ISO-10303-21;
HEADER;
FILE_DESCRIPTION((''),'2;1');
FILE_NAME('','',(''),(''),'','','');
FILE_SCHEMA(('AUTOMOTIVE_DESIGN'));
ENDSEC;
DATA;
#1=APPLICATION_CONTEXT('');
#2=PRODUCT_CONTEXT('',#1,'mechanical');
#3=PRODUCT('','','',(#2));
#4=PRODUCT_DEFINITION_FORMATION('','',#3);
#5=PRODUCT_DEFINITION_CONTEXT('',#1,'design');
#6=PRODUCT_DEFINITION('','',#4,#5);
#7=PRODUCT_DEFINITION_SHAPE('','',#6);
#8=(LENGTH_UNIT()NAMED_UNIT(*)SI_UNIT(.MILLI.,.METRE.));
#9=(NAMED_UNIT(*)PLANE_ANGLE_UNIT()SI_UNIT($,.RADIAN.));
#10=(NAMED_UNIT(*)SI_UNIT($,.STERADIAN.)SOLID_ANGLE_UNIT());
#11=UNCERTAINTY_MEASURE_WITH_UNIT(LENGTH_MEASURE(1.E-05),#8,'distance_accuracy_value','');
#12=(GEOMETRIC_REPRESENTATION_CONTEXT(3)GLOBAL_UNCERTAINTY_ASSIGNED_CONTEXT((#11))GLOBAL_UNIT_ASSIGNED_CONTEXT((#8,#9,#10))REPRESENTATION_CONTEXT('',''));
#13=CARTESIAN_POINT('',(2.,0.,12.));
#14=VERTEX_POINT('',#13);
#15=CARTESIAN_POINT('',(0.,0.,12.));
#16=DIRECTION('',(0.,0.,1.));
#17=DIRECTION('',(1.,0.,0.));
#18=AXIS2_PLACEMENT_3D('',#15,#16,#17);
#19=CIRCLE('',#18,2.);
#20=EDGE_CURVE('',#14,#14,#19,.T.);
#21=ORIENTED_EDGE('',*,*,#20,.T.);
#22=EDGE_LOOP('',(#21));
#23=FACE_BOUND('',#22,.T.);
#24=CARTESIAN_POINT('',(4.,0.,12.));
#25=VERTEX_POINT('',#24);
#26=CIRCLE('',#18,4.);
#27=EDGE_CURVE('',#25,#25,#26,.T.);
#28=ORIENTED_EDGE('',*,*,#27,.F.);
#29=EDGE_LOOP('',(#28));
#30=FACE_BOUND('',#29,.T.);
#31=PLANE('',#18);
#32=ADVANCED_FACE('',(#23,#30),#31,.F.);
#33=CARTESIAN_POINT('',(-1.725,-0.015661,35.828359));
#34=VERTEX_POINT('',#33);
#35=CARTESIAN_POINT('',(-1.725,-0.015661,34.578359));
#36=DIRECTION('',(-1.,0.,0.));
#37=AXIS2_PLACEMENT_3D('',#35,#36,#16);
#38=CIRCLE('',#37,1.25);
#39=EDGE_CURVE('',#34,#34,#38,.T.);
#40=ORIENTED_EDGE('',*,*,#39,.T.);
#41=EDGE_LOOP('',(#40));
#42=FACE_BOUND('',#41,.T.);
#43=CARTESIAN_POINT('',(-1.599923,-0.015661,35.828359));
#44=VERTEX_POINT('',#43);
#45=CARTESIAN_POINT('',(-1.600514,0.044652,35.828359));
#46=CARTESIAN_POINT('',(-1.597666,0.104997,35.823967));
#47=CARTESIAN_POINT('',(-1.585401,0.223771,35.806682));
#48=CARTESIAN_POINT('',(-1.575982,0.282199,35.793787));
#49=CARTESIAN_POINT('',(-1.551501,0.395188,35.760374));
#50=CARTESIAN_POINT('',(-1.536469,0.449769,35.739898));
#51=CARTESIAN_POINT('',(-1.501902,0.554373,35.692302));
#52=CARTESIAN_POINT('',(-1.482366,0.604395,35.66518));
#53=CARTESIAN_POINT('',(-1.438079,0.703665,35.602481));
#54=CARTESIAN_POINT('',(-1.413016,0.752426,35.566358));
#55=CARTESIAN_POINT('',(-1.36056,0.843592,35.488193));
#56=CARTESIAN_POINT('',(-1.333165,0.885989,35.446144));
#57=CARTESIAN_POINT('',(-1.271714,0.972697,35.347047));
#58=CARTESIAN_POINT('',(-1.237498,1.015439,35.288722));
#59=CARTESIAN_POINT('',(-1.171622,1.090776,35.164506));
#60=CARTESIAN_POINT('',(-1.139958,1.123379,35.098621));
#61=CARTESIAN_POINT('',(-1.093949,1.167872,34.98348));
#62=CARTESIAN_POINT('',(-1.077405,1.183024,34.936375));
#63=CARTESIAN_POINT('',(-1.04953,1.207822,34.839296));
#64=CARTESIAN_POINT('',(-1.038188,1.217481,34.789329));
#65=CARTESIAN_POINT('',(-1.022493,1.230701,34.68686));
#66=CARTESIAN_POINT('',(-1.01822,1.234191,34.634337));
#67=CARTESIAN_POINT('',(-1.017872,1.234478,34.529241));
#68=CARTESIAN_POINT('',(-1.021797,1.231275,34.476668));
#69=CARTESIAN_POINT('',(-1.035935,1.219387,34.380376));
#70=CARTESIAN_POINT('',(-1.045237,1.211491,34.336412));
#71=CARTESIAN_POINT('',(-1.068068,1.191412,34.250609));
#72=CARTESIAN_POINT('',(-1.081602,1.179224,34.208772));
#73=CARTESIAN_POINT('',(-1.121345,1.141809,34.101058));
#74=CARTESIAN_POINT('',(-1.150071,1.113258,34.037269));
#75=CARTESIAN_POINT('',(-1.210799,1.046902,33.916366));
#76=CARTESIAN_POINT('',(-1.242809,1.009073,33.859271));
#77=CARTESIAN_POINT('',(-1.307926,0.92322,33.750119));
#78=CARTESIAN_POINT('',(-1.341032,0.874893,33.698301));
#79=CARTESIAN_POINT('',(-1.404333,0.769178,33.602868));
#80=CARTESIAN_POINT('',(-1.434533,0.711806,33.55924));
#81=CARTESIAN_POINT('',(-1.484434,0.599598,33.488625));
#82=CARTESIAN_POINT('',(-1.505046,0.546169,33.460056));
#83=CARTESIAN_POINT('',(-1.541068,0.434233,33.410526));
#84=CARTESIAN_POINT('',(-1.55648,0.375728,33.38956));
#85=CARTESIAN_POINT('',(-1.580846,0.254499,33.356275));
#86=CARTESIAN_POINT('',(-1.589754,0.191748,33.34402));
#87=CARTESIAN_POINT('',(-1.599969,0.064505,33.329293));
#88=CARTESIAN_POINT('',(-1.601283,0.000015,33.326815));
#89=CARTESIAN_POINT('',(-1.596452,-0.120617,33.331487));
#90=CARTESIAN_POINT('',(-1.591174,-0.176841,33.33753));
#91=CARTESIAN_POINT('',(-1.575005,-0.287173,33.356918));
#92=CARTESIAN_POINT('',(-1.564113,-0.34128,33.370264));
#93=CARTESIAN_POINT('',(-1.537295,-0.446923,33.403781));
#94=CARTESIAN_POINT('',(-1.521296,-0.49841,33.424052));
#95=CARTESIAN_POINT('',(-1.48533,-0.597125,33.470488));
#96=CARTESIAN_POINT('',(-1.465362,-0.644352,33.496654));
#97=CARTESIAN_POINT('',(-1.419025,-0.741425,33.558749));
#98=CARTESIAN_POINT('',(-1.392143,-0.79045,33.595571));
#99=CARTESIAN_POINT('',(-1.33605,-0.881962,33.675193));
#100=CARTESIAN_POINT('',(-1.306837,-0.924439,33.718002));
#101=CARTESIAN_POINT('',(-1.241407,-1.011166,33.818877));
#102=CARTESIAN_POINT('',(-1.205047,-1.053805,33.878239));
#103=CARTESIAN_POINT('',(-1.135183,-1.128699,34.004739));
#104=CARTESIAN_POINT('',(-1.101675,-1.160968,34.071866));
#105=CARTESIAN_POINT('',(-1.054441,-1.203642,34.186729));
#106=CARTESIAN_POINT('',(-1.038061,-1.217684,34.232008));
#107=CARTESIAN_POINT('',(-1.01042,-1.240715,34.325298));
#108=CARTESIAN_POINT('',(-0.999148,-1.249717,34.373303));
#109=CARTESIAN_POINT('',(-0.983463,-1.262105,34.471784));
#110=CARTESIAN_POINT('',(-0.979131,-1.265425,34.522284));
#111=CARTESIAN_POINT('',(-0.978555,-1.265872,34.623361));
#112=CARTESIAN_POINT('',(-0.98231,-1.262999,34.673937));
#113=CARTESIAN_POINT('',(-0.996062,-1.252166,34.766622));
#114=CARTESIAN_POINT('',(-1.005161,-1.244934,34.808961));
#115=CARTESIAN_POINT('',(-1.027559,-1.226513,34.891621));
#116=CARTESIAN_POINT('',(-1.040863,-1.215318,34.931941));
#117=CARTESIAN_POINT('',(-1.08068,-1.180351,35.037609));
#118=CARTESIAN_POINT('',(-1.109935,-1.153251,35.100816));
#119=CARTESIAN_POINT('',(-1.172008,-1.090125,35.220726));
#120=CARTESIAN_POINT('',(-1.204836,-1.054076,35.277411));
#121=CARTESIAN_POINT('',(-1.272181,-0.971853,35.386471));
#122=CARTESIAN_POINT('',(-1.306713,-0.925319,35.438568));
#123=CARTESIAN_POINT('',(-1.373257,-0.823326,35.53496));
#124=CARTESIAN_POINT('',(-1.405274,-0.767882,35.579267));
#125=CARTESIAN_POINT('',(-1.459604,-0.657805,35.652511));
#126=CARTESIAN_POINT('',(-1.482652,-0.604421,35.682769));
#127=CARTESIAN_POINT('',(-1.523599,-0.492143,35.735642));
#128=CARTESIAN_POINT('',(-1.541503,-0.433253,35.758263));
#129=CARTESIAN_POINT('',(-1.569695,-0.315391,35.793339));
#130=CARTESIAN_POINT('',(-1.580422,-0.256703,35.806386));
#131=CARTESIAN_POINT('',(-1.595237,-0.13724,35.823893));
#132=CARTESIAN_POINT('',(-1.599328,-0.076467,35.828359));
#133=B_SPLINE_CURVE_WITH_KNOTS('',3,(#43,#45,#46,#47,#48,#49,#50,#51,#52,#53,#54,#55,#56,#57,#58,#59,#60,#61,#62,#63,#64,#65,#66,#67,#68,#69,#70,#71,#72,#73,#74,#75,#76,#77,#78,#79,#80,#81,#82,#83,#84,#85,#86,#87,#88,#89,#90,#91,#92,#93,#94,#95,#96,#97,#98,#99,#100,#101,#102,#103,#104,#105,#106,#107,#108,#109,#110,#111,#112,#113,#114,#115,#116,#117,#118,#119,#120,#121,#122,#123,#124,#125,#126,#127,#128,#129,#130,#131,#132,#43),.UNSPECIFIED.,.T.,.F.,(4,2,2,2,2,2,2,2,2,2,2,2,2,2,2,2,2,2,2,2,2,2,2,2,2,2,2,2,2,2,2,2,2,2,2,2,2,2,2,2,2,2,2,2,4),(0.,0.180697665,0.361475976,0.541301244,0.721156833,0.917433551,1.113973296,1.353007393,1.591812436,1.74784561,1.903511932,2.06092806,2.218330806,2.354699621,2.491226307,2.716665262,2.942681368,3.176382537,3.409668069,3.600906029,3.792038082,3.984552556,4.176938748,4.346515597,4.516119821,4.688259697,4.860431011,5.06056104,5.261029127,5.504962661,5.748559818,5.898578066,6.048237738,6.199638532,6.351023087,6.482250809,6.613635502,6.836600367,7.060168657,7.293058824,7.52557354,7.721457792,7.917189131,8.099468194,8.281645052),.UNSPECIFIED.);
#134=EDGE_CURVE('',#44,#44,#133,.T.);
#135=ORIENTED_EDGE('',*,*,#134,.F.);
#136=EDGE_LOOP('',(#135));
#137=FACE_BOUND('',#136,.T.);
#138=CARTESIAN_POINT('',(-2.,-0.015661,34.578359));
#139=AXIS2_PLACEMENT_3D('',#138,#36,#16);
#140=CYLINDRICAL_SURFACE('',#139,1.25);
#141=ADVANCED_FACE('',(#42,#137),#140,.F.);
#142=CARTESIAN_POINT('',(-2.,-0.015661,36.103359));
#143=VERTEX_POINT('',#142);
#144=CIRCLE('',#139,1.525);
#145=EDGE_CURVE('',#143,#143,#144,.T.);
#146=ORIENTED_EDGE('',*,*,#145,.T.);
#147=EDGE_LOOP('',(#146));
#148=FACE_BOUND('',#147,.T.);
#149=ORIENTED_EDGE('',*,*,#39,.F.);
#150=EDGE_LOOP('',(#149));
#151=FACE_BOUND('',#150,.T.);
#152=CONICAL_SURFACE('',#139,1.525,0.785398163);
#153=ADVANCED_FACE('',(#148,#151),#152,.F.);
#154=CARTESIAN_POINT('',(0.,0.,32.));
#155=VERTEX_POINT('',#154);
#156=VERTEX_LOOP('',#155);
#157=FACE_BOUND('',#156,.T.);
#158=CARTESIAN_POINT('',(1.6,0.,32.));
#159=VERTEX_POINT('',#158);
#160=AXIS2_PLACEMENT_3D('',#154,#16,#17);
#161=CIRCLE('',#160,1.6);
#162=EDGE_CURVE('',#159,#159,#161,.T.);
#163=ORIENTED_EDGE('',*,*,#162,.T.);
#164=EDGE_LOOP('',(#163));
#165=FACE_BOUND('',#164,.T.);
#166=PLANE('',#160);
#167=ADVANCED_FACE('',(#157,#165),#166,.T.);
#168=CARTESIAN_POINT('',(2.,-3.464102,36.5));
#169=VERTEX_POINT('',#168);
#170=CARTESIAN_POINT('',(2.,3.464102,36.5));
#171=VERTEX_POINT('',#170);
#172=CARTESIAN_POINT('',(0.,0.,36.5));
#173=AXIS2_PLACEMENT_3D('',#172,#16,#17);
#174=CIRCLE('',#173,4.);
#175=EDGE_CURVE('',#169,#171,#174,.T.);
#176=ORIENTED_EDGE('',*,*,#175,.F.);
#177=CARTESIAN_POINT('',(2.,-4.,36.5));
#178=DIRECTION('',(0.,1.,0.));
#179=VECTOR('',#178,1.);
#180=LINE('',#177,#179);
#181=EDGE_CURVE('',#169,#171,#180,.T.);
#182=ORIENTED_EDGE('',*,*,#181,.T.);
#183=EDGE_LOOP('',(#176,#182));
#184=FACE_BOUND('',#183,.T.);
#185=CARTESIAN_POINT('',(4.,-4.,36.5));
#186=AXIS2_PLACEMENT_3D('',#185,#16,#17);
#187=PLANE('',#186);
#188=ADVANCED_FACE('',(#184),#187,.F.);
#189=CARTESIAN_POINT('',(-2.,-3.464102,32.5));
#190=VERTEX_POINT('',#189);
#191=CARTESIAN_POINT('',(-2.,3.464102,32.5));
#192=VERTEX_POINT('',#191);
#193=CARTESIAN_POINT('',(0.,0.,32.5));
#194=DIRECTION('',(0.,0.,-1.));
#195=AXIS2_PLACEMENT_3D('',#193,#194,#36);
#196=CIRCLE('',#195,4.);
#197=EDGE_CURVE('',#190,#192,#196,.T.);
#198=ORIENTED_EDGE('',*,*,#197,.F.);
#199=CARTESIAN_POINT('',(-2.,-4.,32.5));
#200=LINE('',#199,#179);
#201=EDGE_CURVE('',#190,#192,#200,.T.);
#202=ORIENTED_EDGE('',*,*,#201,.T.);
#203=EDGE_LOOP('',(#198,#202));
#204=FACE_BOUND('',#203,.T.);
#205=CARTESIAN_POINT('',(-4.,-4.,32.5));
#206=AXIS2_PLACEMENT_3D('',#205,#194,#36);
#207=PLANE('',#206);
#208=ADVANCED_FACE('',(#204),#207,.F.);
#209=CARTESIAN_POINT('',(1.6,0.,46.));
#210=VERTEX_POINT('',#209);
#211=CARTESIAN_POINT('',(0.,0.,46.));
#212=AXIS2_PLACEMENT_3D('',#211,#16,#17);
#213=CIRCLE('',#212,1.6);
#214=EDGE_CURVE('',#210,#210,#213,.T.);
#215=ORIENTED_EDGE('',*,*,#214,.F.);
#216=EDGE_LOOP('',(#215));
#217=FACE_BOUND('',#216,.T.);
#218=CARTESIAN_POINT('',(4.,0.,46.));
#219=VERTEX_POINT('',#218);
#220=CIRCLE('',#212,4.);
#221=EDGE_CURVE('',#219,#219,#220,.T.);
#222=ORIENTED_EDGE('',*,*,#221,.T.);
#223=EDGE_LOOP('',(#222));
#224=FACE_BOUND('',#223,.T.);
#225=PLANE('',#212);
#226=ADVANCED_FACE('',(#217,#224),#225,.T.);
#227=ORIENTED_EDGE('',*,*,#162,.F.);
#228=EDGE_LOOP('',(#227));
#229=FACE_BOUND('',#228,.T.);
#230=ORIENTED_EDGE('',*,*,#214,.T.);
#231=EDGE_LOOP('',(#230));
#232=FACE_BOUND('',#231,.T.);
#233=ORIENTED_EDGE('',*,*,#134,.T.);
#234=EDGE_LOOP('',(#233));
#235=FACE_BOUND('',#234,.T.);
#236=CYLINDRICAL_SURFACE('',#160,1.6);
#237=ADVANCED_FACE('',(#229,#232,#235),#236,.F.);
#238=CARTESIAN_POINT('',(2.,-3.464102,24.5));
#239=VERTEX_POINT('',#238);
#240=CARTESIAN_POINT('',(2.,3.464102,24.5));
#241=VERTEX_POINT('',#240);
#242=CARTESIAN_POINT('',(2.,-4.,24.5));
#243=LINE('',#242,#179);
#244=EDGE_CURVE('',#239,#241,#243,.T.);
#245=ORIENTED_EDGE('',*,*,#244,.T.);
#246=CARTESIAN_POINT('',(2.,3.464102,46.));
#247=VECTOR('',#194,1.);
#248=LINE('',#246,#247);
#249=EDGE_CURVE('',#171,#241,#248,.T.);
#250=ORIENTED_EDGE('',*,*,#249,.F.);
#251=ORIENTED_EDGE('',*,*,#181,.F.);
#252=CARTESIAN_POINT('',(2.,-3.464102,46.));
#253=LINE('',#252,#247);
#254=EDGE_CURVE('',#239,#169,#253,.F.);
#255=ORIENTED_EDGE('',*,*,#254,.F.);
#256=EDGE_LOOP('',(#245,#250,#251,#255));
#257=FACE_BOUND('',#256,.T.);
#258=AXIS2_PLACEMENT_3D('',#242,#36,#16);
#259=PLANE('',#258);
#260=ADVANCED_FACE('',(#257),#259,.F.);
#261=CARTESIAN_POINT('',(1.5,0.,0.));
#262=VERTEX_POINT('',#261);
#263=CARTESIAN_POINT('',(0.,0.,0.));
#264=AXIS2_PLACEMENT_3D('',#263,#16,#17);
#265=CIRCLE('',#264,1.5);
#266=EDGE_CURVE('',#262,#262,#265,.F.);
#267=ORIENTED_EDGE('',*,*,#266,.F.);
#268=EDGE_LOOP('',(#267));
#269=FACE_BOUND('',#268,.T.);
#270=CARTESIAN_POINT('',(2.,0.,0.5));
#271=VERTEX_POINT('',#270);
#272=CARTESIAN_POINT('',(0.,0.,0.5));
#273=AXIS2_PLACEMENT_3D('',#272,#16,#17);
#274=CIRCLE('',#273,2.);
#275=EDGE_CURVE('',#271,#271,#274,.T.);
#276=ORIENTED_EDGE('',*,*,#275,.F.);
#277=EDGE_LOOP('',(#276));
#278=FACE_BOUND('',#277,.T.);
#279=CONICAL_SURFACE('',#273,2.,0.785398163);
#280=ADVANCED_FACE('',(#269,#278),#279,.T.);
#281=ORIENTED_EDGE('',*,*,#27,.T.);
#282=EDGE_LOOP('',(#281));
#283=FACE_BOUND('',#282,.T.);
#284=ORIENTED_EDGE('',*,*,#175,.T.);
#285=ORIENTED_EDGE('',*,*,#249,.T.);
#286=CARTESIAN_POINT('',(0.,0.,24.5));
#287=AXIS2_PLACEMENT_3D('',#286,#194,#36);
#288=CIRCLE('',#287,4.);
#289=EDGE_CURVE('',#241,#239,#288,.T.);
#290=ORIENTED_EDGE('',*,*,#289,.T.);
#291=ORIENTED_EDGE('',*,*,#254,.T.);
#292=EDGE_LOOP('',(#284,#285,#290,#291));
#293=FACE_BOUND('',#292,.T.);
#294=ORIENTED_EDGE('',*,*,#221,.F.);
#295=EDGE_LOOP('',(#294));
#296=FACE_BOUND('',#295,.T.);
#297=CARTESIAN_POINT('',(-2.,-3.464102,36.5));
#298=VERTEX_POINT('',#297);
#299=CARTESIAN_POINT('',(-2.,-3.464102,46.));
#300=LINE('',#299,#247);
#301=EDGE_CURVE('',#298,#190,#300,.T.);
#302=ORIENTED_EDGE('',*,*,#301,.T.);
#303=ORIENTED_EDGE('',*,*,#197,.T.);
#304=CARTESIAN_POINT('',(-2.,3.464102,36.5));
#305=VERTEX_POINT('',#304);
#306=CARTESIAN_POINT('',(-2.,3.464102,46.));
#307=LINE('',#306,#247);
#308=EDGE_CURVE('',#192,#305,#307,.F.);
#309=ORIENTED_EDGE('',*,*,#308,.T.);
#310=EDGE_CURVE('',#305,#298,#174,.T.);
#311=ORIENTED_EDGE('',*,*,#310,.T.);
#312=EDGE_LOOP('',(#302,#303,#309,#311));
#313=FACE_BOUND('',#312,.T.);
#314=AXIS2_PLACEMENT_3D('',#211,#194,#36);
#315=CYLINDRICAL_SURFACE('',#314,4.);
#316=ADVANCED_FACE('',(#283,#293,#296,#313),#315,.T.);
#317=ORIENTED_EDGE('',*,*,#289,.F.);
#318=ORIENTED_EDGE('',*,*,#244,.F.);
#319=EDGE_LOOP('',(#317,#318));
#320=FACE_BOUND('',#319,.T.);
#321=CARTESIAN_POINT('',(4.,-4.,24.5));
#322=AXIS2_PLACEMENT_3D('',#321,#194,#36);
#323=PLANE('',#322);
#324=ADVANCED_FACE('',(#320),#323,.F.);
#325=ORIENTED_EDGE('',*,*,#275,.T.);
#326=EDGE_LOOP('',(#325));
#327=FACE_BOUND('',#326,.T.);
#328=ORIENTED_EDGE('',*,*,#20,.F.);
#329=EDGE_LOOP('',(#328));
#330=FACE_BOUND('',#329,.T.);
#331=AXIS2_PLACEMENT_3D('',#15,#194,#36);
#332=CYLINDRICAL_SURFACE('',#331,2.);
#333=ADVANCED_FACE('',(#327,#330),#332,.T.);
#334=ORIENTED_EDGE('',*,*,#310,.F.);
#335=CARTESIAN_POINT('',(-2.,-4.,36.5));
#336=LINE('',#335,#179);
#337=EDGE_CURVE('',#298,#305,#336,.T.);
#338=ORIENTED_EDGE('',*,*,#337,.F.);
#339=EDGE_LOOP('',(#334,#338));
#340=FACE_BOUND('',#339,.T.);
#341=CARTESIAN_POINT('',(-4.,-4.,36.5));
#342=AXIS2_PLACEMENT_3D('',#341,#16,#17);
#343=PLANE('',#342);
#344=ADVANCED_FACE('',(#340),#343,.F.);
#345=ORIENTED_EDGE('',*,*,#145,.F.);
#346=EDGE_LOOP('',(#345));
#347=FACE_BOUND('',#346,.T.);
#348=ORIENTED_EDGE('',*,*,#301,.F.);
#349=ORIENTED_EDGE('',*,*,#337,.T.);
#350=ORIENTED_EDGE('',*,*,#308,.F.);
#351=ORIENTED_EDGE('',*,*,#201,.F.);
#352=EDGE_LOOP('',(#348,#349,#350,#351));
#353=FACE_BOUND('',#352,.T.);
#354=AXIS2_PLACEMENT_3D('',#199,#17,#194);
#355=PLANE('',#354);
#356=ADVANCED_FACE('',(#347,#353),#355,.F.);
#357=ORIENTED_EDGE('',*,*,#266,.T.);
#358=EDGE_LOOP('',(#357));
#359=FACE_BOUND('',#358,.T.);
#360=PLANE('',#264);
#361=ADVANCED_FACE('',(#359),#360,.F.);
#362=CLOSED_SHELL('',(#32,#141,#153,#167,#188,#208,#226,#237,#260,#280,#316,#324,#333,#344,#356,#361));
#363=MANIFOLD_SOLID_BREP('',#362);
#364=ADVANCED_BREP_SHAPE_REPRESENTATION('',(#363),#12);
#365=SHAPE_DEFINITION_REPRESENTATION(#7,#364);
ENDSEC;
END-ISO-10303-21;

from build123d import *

# Parameters (mm, degrees)
SKETCH1_R                       = 2
BOSS_EXTRUDE1_DEPTH             = 12
CHAMFER1_SIZE                   = 0.5
SKETCH2_R                       = 4
BOSS_EXTRUDE2_DEPTH             = 34
SKETCH3_R                       = 1.6
CUT_EXTRUDE1_DEPTH              = 14
CUT_EXTRUDE2_DEPTH              = 47.346520905
CUT_EXTRUDE2_DEPTH_BACK         = 47.346520905
SKETCH4_W                       = 2
SKETCH4_H                       = 12
M3X0_5_TAPPED_HOLE1_D           = 2.5
M3X0_5_TAPPED_HOLE1_DEPTH       = 13.248924226
M3X0_5_TAPPED_HOLE1_CSINK_D     = 3.05
M3X0_5_TAPPED_HOLE1_CSINK_ANGLE = 90
M3X0_5_TAPPED_HOLE1_TIP         = 0.751075774
CUT_EXTRUDE3_DEPTH              = 47.346520905
CUT_EXTRUDE3_DEPTH_BACK         = 47.346520905
SKETCH7_W                       = 2
SKETCH7_H                       = 4
M3X0_5_TAPPED_HOLE3_D           = 2.5
M3X0_5_TAPPED_HOLE3_DEPTH       = 1.248924226
M3X0_5_TAPPED_HOLE3_CSINK_D     = 3.05
M3X0_5_TAPPED_HOLE3_CSINK_ANGLE = 90
M3X0_5_TAPPED_HOLE3_TIP         = 0.751075774


with BuildPart() as part:
    # Sketch1 → Boss-Extrude1 (new body)
    with BuildSketch(Plane.XY):
        Circle(SKETCH1_R)
    extrude(amount=BOSS_EXTRUDE1_DEPTH)

    # Chamfer1
    chamfer1_edges = [part.edges().sort_by_distance(p)[0] for p in [
        (-2, 0, 0),
    ]]
    chamfer(chamfer1_edges, length=CHAMFER1_SIZE)

    # Sketch2 → Boss-Extrude2 (add)
    with BuildSketch(Plane.XY.offset(12)):
        Circle(SKETCH2_R)
    extrude(amount=BOSS_EXTRUDE2_DEPTH)

    # Sketch3 → Cut-Extrude1 (cut)
    with BuildSketch(Plane.XY.offset(46)):
        Circle(SKETCH3_R)
    extrude(amount=-CUT_EXTRUDE1_DEPTH, mode=Mode.SUBTRACT)

    # Sketch4 → Cut-Extrude2 (cut, two sides: drawn at the far end of the back side and taken through both)
    with BuildSketch(Plane(origin=(0, 0, 0), x_dir=(1, 0, 0), z_dir=(0, 1, 0)).offset(-CUT_EXTRUDE2_DEPTH_BACK)):
        with Locations((3, -30.5)):
            Rectangle(SKETCH4_W, SKETCH4_H)
    extrude(amount=CUT_EXTRUDE2_DEPTH + CUT_EXTRUDE2_DEPTH_BACK, mode=Mode.SUBTRACT)

    # M3x0.5 Tapped Hole1
    with Locations(Plane.XY.offset(46)):
        with Locations((0, 0)):
            CounterSinkHole(M3X0_5_TAPPED_HOLE1_D / 2, M3X0_5_TAPPED_HOLE1_CSINK_D / 2, depth=M3X0_5_TAPPED_HOLE1_DEPTH, counter_sink_angle=M3X0_5_TAPPED_HOLE1_CSINK_ANGLE)
            with Locations((0, 0, -(M3X0_5_TAPPED_HOLE1_DEPTH + M3X0_5_TAPPED_HOLE1_TIP / 2))):  # 118° drill point
                Cone(0, M3X0_5_TAPPED_HOLE1_D / 2, M3X0_5_TAPPED_HOLE1_TIP, mode=Mode.SUBTRACT)

    # Sketch7 → Cut-Extrude3 (cut, two sides: drawn at the far end of the back side and taken through both)
    with BuildSketch(Plane(origin=(0, 0, 0), x_dir=(1, 0, 0), z_dir=(0, 1, 0)).offset(-CUT_EXTRUDE3_DEPTH_BACK)):
        with Locations((-3, -34.5)):
            Rectangle(SKETCH7_W, SKETCH7_H)
    extrude(amount=CUT_EXTRUDE3_DEPTH + CUT_EXTRUDE3_DEPTH_BACK, mode=Mode.SUBTRACT)

    # M3x0.5 Tapped Hole3
    with Locations(Plane(origin=(-2, -0.015660655, 34.578358954), x_dir=(0, 0, -1), z_dir=(-1, 0, 0))):
        with Locations((0, 0)):
            CounterSinkHole(M3X0_5_TAPPED_HOLE3_D / 2, M3X0_5_TAPPED_HOLE3_CSINK_D / 2, depth=M3X0_5_TAPPED_HOLE3_DEPTH, counter_sink_angle=M3X0_5_TAPPED_HOLE3_CSINK_ANGLE)
            with Locations((0, 0, -(M3X0_5_TAPPED_HOLE3_DEPTH + M3X0_5_TAPPED_HOLE3_TIP / 2))):  # 118° drill point
                Cone(0, M3X0_5_TAPPED_HOLE3_D / 2, M3X0_5_TAPPED_HOLE3_TIP, mode=Mode.SUBTRACT)


solid = part.part
